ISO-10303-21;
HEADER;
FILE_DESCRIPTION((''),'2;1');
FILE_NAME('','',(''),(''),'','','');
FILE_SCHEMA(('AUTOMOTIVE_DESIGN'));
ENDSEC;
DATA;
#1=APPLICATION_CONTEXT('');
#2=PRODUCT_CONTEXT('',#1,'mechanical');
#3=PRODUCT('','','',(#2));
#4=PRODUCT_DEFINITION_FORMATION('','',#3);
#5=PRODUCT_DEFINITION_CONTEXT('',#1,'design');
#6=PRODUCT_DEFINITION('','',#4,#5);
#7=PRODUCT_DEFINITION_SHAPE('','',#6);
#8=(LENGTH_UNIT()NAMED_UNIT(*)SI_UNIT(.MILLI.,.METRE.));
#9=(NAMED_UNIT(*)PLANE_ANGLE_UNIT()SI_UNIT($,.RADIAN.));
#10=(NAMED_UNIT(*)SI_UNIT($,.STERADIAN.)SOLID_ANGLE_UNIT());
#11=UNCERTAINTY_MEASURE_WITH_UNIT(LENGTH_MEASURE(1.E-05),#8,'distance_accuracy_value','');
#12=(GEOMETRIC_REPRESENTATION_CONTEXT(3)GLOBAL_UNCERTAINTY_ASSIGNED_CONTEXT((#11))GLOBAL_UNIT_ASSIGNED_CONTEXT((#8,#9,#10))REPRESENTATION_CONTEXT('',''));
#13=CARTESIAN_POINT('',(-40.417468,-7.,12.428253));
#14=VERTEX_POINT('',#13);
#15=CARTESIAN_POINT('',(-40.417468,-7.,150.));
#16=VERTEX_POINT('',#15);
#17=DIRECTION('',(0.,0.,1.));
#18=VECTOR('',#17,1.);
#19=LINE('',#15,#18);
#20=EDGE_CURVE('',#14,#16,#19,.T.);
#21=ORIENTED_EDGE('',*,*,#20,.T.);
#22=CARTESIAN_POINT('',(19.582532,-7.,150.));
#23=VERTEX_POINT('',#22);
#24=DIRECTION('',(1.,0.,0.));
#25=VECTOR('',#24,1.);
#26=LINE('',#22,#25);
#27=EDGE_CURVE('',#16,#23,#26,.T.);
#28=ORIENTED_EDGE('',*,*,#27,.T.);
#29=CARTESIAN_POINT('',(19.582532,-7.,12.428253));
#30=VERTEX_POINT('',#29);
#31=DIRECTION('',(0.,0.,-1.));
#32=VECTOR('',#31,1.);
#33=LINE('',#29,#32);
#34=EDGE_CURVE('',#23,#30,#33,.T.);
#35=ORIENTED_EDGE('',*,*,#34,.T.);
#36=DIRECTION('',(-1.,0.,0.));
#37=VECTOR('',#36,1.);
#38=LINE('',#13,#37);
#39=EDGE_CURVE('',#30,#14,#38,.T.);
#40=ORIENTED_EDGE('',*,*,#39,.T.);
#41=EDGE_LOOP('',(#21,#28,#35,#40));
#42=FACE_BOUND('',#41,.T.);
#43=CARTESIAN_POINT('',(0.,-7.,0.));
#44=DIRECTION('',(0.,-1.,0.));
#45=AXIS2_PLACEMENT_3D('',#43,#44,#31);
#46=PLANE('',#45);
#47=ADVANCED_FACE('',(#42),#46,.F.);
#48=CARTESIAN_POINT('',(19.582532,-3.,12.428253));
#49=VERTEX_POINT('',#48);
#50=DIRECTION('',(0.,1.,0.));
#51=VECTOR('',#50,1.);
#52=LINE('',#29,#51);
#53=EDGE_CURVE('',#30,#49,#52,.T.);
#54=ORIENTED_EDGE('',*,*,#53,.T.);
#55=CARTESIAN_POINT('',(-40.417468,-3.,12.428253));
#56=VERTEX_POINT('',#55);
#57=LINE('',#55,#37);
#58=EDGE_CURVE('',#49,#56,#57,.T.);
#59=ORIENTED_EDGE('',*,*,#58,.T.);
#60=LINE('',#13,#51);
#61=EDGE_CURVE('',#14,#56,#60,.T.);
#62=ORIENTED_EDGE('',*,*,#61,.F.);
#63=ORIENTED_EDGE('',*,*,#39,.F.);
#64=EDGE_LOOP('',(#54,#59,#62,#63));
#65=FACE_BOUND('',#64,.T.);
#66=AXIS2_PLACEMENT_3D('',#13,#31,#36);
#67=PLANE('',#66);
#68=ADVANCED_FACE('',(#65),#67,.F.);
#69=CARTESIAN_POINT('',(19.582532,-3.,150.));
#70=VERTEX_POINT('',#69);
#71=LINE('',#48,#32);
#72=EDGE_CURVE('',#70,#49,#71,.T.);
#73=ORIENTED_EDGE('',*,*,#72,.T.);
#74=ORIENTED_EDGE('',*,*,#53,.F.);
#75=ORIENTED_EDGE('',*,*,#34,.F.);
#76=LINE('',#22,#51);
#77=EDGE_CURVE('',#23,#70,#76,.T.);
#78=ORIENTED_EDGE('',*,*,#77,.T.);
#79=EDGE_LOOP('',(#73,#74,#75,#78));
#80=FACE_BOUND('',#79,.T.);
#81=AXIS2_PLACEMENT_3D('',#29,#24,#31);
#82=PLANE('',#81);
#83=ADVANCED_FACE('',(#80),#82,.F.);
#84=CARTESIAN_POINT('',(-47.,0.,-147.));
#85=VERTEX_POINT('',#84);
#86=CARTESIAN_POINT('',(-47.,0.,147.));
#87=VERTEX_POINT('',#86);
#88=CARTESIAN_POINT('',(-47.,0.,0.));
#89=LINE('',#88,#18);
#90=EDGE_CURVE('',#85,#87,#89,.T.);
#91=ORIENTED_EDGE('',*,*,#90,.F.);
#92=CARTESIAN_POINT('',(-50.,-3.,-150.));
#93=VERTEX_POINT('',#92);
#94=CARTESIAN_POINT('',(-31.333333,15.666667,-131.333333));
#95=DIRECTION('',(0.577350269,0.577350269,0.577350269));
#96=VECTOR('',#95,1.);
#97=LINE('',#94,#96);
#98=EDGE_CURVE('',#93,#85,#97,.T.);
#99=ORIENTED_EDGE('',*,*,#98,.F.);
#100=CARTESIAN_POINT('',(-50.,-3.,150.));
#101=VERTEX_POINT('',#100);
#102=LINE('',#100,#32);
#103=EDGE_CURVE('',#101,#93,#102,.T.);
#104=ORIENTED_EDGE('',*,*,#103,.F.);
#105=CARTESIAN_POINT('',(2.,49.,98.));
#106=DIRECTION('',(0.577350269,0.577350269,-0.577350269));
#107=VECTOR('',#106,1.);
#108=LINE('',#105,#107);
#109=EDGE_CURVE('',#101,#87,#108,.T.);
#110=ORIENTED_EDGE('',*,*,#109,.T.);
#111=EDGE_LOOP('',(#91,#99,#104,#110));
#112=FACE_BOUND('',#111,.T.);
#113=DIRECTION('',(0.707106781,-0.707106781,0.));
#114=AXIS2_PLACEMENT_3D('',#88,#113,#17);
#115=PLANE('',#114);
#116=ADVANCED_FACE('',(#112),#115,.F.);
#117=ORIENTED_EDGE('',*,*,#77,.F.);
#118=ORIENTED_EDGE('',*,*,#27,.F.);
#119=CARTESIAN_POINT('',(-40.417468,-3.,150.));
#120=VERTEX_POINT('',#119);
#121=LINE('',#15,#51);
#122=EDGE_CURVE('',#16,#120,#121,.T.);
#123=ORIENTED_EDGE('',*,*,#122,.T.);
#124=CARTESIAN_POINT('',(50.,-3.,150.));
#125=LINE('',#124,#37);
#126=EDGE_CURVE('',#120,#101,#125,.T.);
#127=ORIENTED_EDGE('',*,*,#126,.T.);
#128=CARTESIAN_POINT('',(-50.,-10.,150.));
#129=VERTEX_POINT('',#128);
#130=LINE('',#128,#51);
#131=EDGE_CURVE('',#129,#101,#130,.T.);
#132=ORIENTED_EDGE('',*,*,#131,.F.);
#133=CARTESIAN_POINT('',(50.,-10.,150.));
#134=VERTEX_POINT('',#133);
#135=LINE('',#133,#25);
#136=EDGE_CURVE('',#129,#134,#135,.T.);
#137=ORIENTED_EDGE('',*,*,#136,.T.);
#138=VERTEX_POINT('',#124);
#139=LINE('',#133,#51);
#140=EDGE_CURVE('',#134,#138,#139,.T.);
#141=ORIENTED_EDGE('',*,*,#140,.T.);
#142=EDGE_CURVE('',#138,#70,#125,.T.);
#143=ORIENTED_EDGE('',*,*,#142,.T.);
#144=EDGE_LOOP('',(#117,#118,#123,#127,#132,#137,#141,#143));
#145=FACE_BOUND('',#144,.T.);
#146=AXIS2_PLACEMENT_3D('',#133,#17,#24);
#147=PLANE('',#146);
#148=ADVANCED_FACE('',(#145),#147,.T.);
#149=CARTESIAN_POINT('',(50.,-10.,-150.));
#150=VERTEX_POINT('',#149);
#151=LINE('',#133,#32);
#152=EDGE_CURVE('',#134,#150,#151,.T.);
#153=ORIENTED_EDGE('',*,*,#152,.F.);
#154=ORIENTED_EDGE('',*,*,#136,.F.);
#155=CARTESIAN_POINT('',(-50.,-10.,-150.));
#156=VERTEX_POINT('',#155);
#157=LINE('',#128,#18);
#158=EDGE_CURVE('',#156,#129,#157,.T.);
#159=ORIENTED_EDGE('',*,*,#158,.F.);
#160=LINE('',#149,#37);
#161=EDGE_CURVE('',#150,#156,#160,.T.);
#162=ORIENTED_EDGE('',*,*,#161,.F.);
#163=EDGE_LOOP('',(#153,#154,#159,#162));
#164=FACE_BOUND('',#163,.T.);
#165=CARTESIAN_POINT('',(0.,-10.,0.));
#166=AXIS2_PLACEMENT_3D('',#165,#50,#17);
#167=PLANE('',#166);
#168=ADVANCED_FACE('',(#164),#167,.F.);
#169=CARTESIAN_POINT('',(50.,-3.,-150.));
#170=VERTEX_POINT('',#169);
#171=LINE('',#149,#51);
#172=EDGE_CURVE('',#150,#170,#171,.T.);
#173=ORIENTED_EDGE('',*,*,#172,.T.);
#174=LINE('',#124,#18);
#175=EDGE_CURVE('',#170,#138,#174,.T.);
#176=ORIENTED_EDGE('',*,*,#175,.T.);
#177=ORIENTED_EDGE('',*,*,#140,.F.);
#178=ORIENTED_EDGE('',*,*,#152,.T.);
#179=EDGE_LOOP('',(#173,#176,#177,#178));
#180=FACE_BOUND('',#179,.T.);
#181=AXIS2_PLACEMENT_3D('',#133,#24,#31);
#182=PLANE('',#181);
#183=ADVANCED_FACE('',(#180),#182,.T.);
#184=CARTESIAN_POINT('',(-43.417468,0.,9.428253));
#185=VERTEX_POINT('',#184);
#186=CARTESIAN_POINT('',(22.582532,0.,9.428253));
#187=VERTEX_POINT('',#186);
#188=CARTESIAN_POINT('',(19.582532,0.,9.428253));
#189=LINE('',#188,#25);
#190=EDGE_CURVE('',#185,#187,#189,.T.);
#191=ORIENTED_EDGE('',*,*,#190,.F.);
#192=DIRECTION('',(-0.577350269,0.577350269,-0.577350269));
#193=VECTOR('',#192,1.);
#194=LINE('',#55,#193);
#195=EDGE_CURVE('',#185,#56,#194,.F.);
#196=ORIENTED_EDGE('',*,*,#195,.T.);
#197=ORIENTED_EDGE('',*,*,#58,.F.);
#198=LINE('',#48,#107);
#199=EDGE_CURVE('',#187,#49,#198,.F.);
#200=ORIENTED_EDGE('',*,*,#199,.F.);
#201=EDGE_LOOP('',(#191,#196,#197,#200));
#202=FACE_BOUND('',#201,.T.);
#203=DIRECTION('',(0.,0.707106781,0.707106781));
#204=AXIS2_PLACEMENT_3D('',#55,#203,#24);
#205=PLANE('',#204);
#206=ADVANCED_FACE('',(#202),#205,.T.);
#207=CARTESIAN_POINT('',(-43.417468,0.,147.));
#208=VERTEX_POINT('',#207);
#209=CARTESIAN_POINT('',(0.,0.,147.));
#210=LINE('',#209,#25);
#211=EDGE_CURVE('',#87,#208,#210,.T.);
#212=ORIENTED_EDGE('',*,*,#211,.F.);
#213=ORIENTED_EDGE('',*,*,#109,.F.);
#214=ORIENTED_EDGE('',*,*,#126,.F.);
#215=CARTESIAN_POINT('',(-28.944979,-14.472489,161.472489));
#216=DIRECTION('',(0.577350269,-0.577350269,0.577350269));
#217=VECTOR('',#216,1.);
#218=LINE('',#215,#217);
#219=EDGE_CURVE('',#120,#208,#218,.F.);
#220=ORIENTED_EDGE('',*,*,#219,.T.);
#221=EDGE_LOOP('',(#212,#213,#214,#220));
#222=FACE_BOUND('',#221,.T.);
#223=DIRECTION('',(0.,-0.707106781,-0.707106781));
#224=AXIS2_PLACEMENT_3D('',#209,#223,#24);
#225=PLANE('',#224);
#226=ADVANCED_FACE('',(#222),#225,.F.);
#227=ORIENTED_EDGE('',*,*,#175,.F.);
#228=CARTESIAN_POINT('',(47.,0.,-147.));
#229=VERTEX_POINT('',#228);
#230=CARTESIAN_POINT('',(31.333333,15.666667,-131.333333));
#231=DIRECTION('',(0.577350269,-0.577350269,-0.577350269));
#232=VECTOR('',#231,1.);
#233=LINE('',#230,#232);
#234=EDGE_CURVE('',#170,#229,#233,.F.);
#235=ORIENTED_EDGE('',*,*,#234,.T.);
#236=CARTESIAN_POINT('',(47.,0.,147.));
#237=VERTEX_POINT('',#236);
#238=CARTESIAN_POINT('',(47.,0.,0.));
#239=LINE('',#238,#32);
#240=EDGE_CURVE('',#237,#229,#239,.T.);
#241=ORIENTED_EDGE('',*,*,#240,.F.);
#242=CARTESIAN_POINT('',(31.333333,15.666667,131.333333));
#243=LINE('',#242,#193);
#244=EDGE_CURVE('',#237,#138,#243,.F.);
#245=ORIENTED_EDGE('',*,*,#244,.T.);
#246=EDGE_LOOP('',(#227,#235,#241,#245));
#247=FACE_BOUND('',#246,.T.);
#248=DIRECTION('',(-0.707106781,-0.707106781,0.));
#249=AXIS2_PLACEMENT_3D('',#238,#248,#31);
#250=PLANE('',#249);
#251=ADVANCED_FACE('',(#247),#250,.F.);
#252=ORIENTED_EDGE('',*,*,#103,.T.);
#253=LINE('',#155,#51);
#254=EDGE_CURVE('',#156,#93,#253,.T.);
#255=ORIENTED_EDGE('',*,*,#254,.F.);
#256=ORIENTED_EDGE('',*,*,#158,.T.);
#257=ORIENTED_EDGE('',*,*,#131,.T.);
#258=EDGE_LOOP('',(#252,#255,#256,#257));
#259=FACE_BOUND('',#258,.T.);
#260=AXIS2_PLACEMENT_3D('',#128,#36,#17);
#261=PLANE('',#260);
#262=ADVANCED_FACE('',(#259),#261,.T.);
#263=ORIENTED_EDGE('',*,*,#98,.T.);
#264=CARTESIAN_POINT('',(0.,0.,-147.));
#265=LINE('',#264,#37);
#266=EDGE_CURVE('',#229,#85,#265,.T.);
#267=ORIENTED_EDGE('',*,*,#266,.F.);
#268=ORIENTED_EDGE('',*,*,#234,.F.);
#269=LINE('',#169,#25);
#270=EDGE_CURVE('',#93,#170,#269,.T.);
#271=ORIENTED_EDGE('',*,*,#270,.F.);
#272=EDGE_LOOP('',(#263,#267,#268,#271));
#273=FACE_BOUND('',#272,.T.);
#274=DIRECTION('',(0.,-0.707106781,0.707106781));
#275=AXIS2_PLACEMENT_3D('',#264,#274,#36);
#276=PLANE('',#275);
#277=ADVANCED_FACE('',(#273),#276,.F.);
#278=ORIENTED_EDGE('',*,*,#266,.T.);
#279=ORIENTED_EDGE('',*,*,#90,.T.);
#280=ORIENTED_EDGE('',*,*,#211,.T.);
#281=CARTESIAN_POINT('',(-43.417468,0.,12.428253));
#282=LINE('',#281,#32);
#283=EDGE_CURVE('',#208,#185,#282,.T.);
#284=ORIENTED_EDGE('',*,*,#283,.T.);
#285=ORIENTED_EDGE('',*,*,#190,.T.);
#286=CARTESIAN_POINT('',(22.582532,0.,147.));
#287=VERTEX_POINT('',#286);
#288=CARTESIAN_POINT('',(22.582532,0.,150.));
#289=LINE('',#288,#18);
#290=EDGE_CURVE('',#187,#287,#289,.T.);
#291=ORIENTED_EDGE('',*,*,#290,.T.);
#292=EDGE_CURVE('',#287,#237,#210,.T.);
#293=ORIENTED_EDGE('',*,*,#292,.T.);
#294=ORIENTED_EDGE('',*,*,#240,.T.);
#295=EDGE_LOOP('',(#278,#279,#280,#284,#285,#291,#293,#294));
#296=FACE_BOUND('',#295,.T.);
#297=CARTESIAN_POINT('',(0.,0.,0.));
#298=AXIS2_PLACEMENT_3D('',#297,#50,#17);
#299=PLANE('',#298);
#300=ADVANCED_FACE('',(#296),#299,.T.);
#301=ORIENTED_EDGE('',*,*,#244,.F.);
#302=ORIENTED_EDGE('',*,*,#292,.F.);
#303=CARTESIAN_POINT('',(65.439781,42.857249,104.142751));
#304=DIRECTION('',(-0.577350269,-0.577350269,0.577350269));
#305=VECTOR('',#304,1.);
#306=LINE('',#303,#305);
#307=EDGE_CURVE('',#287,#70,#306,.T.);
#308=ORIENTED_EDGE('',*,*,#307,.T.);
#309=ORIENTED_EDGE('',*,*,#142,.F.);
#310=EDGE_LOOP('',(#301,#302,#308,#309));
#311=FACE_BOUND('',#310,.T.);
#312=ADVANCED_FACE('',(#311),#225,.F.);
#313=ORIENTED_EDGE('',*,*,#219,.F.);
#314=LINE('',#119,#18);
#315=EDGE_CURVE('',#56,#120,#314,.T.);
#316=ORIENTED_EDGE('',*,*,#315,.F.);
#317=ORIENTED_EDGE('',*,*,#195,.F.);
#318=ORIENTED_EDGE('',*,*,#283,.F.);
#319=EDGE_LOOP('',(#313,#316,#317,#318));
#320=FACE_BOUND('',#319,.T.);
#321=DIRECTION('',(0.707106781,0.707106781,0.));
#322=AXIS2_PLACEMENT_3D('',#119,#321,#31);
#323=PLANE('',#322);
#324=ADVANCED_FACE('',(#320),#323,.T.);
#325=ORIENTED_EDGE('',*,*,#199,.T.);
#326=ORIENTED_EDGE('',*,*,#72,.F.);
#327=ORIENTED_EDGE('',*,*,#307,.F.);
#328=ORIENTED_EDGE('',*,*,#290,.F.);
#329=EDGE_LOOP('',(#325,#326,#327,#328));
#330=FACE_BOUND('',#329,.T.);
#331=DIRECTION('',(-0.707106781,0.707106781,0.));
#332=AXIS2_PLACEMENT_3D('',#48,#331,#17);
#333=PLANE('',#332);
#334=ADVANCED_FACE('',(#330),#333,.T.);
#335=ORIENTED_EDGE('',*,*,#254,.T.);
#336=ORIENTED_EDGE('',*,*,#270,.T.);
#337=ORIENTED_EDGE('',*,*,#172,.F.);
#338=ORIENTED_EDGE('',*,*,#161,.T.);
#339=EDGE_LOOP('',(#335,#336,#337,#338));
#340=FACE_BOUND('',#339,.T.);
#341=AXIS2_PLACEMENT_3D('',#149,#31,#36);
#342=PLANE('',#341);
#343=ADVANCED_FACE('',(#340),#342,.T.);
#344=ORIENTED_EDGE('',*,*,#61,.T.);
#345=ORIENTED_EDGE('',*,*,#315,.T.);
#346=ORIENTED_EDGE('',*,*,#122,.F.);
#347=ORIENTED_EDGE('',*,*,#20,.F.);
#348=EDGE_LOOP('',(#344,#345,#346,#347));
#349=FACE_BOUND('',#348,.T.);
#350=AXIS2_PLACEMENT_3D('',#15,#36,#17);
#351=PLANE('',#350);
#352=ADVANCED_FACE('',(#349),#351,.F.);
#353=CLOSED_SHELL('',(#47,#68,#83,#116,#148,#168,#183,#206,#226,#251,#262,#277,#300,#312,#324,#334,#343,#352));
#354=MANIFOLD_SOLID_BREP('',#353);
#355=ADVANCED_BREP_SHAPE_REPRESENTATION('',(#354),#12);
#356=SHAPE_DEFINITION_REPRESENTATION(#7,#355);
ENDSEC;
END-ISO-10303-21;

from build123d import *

# Parameters (mm, degrees)
SKETCH1_W           = 100
SKETCH1_H           = 300
BOSS_EXTRUDE1_DEPTH = 10
SKETCH2_W           = 60
SKETCH2_H           = 137.571747247
CUT_EXTRUDE1_DEPTH  = 7
CHAMFER1_SIZE       = 3


with BuildPart() as part:
    # Sketch1 → Boss-Extrude1 (new body)
    with BuildSketch(Plane(origin=(0, 0, 0), x_dir=(1, 0, 0), z_dir=(0, 1, 0))):
        Rectangle(SKETCH1_W, SKETCH1_H)
    extrude(amount=-BOSS_EXTRUDE1_DEPTH)

    # Sketch2 → Cut-Extrude1 (cut)
    with BuildSketch(Plane(origin=(0, 0, 0), x_dir=(1, 0, 0), z_dir=(0, 1, 0))):
        with Locations((-10.417468157, -81.214126377)):
            Rectangle(SKETCH2_W, SKETCH2_H)
    extrude(amount=-CUT_EXTRUDE1_DEPTH, mode=Mode.SUBTRACT)

    # Chamfer1
    chamfer1_edges = [part.edges().sort_by_distance(p)[0] for p in [
        (34.791265922, 0, 150),
        (19.582531843, 0, 81.214126377),
        (-10.417468157, 0, 12.428252753),
        (-40.417468157, 0, 81.214126377),
        (0, 0, -150),
        (50, 0, 0),
        (-45.208734078, 0, 150),
        (-50, 0, 0),
    ]]
    chamfer(chamfer1_edges, length=CHAMFER1_SIZE)


solid = part.part
